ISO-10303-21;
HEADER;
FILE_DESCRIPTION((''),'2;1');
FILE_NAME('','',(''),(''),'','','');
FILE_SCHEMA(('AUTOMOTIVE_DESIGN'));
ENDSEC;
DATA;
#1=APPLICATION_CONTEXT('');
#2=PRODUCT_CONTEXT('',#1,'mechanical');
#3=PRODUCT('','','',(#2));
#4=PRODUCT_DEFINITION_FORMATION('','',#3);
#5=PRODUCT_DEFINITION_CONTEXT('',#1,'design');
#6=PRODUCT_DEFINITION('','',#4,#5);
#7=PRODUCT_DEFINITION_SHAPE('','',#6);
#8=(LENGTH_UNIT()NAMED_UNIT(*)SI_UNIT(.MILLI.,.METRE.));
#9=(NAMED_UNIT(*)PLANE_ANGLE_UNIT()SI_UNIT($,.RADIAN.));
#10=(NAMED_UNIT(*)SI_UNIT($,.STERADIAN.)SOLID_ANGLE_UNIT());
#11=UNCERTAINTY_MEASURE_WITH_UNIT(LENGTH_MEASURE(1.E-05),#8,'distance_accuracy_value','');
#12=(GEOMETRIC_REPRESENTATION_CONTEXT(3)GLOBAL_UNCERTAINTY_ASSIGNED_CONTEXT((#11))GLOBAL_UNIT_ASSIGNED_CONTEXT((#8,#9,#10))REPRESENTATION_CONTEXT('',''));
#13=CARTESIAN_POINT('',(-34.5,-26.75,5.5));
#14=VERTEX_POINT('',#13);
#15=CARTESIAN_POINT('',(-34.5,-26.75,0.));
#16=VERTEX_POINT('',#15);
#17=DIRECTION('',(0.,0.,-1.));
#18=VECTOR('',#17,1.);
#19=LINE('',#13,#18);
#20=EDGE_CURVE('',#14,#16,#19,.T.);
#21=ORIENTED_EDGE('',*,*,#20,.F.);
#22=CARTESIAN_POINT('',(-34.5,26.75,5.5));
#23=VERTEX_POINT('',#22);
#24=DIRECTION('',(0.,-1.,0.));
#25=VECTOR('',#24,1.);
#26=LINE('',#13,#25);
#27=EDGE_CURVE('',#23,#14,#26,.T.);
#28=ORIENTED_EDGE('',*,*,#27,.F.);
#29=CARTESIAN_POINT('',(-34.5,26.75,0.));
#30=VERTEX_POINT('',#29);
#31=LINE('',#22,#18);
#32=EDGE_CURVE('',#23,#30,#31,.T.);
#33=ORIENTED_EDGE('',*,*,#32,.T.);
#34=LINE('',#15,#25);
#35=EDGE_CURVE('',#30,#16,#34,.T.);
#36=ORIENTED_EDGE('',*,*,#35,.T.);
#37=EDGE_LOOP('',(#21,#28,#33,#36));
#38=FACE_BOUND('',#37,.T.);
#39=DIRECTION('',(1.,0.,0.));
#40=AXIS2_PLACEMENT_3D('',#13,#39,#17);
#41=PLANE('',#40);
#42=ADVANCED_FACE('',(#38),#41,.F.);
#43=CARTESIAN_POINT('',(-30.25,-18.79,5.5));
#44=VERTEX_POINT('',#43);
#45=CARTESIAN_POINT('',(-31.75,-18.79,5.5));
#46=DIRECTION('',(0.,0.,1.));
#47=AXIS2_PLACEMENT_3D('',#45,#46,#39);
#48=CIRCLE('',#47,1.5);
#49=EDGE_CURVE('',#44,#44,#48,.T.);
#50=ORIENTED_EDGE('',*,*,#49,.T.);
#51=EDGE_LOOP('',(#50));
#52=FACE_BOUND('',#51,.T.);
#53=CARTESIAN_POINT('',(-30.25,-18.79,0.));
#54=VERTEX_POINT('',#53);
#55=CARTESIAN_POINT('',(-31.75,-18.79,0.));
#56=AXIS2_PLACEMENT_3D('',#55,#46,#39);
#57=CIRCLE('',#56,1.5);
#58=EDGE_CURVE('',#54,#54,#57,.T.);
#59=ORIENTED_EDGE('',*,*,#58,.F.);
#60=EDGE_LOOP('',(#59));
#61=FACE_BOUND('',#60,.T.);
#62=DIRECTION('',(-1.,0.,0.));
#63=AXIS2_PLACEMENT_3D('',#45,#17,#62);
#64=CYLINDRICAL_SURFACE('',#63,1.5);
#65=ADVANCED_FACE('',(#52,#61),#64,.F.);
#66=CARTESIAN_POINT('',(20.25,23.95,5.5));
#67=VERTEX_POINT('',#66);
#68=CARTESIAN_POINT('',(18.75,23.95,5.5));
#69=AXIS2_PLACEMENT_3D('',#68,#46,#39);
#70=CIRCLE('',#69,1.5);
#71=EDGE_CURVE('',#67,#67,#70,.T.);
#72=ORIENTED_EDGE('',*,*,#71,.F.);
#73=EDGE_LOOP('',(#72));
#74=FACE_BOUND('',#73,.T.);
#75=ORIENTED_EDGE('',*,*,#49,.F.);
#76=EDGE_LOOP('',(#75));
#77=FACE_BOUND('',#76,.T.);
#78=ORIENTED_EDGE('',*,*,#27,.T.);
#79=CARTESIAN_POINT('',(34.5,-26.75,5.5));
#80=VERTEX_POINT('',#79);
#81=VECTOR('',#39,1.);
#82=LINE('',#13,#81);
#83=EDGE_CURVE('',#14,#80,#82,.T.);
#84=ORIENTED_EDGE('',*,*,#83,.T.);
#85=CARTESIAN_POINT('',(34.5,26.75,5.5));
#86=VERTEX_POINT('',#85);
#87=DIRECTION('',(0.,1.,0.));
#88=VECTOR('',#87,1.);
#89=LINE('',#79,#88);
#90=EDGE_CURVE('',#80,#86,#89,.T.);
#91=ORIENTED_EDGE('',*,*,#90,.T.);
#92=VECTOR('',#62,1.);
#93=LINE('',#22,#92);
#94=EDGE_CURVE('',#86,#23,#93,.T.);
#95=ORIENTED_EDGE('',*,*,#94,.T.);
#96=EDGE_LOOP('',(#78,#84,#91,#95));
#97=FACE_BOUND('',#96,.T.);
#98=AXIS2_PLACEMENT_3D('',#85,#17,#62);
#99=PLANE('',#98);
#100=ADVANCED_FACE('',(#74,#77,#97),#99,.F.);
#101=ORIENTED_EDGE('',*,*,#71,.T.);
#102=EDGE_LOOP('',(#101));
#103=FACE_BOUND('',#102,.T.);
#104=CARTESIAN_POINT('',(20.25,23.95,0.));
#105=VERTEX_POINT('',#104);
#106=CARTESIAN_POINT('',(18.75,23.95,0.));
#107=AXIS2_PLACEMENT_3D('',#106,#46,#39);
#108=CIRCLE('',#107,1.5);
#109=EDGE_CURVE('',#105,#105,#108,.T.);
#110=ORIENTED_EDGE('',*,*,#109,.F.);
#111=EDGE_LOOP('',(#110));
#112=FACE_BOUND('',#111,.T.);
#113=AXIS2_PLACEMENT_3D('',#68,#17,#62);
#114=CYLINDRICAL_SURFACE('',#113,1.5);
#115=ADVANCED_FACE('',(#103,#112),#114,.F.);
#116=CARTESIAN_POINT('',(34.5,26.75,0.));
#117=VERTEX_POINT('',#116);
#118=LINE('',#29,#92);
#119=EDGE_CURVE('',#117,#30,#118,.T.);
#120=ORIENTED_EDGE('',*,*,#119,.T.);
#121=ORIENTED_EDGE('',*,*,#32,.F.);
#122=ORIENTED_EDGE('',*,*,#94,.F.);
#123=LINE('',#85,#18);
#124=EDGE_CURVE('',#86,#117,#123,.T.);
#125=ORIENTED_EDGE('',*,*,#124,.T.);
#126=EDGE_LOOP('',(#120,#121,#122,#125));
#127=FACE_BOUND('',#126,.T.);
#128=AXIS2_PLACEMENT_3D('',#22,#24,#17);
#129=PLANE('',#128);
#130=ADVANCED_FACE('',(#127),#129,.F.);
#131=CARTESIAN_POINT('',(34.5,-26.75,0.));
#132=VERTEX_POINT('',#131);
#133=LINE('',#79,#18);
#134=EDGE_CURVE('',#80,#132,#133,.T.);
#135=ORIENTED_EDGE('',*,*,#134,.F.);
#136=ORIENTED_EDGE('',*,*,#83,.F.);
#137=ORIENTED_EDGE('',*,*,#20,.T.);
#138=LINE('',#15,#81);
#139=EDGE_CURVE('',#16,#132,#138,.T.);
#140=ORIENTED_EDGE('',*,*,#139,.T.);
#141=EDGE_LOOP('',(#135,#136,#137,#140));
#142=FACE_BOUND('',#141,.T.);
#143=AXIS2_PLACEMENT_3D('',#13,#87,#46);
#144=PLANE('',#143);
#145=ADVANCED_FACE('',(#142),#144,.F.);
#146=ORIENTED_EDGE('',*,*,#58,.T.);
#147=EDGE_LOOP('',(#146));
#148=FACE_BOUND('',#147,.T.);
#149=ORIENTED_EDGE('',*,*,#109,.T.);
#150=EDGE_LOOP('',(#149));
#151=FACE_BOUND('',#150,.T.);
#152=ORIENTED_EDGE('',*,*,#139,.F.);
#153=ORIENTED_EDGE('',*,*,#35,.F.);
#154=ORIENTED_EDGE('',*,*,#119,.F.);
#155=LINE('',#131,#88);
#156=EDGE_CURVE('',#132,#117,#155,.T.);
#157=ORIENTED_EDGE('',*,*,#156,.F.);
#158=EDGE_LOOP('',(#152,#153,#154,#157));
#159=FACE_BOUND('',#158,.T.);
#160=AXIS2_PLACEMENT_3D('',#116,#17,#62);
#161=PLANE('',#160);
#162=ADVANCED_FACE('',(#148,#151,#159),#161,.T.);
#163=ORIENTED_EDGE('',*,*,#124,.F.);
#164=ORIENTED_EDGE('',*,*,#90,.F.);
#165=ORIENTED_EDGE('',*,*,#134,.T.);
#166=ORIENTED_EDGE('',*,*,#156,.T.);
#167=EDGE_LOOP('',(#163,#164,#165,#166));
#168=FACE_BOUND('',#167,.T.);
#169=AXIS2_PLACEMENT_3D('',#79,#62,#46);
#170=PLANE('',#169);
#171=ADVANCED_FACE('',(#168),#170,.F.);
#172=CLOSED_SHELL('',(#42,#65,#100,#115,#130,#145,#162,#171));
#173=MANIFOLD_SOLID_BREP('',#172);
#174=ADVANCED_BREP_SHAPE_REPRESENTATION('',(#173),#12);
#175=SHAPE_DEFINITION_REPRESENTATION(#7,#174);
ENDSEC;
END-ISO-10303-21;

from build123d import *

# Parameters (mm, degrees)
SKETCH1_W           = 69
SKETCH1_H           = 53.5
SKETCH1_R           = 1.5
BOSS_EXTRUDE1_DEPTH = 5.5


with BuildPart() as part:
    # Sketch1 → Boss-Extrude1 (new body)
    with BuildSketch(Plane.XY):
        Rectangle(SKETCH1_W, SKETCH1_H)
        with Locations((18.75, 23.95)):
            Circle(SKETCH1_R, mode=Mode.SUBTRACT)
        with Locations((-31.75, -18.79)):
            Circle(SKETCH1_R, mode=Mode.SUBTRACT)
    extrude(amount=BOSS_EXTRUDE1_DEPTH)


solid = part.part
